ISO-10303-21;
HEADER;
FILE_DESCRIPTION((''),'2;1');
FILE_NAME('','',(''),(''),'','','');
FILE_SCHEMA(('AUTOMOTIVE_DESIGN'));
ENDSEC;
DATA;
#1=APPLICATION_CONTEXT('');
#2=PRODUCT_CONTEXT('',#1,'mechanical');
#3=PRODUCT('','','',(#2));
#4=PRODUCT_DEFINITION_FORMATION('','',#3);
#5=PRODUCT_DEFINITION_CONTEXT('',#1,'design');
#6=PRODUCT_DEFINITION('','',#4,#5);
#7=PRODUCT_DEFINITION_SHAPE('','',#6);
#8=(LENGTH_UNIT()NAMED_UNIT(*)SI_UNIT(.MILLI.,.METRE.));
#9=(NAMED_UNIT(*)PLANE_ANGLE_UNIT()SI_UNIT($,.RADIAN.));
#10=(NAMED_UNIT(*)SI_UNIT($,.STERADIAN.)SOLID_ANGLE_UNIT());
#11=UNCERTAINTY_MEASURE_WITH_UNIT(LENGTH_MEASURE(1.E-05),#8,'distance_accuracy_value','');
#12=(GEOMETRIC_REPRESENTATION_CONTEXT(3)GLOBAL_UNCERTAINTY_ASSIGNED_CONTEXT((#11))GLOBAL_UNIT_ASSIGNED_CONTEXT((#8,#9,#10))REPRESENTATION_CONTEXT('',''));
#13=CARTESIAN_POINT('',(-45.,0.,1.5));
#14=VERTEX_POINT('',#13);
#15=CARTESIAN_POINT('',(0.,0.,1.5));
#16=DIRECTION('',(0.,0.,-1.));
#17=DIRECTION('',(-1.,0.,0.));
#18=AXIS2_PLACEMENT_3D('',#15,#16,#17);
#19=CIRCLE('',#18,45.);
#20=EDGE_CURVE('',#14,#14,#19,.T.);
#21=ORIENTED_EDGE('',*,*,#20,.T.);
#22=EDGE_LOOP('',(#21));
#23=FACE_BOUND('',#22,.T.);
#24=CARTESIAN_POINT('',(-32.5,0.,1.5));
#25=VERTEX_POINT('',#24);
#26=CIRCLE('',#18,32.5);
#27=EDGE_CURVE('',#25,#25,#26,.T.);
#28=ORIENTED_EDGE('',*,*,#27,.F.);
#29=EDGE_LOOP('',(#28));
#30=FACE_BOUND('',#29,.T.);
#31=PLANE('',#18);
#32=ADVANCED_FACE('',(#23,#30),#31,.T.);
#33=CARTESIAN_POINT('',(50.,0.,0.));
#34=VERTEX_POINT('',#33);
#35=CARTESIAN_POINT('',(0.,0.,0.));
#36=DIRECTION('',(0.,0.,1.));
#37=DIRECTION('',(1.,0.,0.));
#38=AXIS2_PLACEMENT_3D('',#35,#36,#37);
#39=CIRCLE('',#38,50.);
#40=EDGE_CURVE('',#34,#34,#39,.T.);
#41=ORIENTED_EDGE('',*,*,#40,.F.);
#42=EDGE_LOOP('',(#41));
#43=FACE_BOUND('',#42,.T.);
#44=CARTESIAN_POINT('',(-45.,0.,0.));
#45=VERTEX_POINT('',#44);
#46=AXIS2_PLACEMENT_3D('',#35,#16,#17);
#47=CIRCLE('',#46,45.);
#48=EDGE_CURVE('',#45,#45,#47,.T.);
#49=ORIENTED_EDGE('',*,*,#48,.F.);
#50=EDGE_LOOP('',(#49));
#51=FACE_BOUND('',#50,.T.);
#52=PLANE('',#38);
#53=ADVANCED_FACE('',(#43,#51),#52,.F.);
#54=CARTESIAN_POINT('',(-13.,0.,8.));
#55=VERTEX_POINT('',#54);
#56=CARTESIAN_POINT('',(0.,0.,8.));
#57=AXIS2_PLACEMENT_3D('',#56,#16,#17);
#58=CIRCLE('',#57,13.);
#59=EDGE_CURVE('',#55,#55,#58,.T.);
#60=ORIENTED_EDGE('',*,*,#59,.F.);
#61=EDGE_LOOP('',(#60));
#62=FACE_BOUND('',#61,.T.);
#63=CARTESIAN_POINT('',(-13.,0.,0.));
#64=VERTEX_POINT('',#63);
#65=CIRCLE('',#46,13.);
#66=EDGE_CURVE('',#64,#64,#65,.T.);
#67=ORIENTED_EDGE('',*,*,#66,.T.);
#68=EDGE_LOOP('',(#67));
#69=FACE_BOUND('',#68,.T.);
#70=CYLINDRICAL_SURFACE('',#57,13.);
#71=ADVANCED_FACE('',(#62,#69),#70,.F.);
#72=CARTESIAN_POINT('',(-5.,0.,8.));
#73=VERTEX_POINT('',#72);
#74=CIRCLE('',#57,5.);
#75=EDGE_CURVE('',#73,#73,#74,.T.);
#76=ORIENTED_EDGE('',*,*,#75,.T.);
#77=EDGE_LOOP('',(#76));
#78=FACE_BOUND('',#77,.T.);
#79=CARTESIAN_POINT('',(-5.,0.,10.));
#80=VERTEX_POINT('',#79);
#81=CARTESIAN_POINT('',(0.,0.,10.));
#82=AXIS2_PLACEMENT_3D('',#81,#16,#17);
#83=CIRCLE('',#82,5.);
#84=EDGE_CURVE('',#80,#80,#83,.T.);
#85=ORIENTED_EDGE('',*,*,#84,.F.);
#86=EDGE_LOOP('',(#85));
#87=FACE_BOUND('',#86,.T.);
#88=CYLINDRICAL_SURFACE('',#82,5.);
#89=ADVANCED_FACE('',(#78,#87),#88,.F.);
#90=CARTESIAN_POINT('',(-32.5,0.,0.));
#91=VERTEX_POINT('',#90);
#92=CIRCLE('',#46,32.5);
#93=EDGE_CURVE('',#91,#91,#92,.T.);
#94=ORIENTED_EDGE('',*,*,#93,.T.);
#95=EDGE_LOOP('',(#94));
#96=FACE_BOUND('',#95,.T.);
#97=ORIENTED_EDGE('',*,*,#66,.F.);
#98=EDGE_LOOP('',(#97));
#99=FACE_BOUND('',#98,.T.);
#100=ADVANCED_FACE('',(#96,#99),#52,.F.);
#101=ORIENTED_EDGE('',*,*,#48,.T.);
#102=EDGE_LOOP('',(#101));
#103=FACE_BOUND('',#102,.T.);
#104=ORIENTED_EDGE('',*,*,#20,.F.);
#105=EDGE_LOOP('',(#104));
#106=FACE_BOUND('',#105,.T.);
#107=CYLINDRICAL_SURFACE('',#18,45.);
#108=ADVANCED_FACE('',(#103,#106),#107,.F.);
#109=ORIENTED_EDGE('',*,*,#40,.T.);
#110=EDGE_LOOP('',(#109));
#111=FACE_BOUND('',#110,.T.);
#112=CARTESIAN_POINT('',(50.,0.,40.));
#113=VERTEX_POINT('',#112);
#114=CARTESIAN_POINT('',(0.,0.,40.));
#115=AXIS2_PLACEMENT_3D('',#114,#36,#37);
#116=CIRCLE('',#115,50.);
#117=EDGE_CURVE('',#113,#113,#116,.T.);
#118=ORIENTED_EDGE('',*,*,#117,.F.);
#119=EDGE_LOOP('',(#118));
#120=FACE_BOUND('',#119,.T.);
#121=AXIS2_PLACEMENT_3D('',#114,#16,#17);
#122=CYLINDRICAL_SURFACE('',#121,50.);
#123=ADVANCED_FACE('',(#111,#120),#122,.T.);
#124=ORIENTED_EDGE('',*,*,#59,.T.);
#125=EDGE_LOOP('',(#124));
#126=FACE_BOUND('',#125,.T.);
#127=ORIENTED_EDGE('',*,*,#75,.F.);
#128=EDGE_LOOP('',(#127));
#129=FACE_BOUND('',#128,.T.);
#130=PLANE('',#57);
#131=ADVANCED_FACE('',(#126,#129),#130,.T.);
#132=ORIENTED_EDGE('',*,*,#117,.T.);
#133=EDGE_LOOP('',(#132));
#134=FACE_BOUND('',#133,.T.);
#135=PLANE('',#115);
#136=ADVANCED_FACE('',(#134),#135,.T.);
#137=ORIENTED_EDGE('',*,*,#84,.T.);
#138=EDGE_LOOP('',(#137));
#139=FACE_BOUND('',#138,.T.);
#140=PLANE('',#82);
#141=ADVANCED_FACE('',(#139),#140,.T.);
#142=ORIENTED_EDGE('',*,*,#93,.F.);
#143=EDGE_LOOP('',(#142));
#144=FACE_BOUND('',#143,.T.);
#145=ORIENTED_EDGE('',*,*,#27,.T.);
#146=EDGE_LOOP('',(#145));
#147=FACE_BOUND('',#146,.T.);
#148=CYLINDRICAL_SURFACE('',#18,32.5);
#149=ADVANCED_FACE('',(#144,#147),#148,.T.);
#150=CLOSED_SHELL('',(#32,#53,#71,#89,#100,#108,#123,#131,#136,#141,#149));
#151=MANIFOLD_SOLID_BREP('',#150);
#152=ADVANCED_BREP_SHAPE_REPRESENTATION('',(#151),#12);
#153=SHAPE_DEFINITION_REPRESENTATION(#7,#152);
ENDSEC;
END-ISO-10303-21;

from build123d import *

# Parameters (mm, degrees)
CROQUIS1_R              = 50
SALIENTE_EXTRUIR1_DEPTH = 40
CROQUIS2_R              = 45
CROQUIS2_R_2            = 32.5
CORTAR_EXTRUIR1_DEPTH   = 1.5
CROQUIS3_R              = 13
CROQUIS3_R_2            = 5
CORTAR_EXTRUIR2_DEPTH   = 8
CROQUIS4_R              = 5
CORTAR_EXTRUIR3_DEPTH   = 10


with BuildPart() as part:
    # Croquis1 → Saliente-Extruir1 (new body)
    with BuildSketch(Plane.XY):
        Circle(CROQUIS1_R)
    extrude(amount=SALIENTE_EXTRUIR1_DEPTH)

    # Croquis2 → Cortar-Extruir1 (cut)
    with BuildSketch(Plane(origin=(0, 0, 0), x_dir=(-1, 0, 0), z_dir=(0, 0, -1))):
        Circle(CROQUIS2_R)
        Circle(CROQUIS2_R_2, mode=Mode.SUBTRACT)
    extrude(amount=-CORTAR_EXTRUIR1_DEPTH, mode=Mode.SUBTRACT)

    # Croquis3 → Cortar-Extruir2 (cut)
    with BuildSketch(Plane(origin=(0, 0, 0), x_dir=(-1, 0, 0), z_dir=(0, 0, -1))):
        Circle(CROQUIS3_R)
        Circle(CROQUIS3_R_2, mode=Mode.SUBTRACT)
    extrude(amount=-CORTAR_EXTRUIR2_DEPTH, mode=Mode.SUBTRACT)

    # Croquis4 → Cortar-Extruir3 (cut)
    with BuildSketch(Plane(origin=(0, 0, 0), x_dir=(-1, 0, 0), z_dir=(0, 0, -1))):
        Circle(CROQUIS4_R)
    extrude(amount=-CORTAR_EXTRUIR3_DEPTH, mode=Mode.SUBTRACT)


solid = part.part
